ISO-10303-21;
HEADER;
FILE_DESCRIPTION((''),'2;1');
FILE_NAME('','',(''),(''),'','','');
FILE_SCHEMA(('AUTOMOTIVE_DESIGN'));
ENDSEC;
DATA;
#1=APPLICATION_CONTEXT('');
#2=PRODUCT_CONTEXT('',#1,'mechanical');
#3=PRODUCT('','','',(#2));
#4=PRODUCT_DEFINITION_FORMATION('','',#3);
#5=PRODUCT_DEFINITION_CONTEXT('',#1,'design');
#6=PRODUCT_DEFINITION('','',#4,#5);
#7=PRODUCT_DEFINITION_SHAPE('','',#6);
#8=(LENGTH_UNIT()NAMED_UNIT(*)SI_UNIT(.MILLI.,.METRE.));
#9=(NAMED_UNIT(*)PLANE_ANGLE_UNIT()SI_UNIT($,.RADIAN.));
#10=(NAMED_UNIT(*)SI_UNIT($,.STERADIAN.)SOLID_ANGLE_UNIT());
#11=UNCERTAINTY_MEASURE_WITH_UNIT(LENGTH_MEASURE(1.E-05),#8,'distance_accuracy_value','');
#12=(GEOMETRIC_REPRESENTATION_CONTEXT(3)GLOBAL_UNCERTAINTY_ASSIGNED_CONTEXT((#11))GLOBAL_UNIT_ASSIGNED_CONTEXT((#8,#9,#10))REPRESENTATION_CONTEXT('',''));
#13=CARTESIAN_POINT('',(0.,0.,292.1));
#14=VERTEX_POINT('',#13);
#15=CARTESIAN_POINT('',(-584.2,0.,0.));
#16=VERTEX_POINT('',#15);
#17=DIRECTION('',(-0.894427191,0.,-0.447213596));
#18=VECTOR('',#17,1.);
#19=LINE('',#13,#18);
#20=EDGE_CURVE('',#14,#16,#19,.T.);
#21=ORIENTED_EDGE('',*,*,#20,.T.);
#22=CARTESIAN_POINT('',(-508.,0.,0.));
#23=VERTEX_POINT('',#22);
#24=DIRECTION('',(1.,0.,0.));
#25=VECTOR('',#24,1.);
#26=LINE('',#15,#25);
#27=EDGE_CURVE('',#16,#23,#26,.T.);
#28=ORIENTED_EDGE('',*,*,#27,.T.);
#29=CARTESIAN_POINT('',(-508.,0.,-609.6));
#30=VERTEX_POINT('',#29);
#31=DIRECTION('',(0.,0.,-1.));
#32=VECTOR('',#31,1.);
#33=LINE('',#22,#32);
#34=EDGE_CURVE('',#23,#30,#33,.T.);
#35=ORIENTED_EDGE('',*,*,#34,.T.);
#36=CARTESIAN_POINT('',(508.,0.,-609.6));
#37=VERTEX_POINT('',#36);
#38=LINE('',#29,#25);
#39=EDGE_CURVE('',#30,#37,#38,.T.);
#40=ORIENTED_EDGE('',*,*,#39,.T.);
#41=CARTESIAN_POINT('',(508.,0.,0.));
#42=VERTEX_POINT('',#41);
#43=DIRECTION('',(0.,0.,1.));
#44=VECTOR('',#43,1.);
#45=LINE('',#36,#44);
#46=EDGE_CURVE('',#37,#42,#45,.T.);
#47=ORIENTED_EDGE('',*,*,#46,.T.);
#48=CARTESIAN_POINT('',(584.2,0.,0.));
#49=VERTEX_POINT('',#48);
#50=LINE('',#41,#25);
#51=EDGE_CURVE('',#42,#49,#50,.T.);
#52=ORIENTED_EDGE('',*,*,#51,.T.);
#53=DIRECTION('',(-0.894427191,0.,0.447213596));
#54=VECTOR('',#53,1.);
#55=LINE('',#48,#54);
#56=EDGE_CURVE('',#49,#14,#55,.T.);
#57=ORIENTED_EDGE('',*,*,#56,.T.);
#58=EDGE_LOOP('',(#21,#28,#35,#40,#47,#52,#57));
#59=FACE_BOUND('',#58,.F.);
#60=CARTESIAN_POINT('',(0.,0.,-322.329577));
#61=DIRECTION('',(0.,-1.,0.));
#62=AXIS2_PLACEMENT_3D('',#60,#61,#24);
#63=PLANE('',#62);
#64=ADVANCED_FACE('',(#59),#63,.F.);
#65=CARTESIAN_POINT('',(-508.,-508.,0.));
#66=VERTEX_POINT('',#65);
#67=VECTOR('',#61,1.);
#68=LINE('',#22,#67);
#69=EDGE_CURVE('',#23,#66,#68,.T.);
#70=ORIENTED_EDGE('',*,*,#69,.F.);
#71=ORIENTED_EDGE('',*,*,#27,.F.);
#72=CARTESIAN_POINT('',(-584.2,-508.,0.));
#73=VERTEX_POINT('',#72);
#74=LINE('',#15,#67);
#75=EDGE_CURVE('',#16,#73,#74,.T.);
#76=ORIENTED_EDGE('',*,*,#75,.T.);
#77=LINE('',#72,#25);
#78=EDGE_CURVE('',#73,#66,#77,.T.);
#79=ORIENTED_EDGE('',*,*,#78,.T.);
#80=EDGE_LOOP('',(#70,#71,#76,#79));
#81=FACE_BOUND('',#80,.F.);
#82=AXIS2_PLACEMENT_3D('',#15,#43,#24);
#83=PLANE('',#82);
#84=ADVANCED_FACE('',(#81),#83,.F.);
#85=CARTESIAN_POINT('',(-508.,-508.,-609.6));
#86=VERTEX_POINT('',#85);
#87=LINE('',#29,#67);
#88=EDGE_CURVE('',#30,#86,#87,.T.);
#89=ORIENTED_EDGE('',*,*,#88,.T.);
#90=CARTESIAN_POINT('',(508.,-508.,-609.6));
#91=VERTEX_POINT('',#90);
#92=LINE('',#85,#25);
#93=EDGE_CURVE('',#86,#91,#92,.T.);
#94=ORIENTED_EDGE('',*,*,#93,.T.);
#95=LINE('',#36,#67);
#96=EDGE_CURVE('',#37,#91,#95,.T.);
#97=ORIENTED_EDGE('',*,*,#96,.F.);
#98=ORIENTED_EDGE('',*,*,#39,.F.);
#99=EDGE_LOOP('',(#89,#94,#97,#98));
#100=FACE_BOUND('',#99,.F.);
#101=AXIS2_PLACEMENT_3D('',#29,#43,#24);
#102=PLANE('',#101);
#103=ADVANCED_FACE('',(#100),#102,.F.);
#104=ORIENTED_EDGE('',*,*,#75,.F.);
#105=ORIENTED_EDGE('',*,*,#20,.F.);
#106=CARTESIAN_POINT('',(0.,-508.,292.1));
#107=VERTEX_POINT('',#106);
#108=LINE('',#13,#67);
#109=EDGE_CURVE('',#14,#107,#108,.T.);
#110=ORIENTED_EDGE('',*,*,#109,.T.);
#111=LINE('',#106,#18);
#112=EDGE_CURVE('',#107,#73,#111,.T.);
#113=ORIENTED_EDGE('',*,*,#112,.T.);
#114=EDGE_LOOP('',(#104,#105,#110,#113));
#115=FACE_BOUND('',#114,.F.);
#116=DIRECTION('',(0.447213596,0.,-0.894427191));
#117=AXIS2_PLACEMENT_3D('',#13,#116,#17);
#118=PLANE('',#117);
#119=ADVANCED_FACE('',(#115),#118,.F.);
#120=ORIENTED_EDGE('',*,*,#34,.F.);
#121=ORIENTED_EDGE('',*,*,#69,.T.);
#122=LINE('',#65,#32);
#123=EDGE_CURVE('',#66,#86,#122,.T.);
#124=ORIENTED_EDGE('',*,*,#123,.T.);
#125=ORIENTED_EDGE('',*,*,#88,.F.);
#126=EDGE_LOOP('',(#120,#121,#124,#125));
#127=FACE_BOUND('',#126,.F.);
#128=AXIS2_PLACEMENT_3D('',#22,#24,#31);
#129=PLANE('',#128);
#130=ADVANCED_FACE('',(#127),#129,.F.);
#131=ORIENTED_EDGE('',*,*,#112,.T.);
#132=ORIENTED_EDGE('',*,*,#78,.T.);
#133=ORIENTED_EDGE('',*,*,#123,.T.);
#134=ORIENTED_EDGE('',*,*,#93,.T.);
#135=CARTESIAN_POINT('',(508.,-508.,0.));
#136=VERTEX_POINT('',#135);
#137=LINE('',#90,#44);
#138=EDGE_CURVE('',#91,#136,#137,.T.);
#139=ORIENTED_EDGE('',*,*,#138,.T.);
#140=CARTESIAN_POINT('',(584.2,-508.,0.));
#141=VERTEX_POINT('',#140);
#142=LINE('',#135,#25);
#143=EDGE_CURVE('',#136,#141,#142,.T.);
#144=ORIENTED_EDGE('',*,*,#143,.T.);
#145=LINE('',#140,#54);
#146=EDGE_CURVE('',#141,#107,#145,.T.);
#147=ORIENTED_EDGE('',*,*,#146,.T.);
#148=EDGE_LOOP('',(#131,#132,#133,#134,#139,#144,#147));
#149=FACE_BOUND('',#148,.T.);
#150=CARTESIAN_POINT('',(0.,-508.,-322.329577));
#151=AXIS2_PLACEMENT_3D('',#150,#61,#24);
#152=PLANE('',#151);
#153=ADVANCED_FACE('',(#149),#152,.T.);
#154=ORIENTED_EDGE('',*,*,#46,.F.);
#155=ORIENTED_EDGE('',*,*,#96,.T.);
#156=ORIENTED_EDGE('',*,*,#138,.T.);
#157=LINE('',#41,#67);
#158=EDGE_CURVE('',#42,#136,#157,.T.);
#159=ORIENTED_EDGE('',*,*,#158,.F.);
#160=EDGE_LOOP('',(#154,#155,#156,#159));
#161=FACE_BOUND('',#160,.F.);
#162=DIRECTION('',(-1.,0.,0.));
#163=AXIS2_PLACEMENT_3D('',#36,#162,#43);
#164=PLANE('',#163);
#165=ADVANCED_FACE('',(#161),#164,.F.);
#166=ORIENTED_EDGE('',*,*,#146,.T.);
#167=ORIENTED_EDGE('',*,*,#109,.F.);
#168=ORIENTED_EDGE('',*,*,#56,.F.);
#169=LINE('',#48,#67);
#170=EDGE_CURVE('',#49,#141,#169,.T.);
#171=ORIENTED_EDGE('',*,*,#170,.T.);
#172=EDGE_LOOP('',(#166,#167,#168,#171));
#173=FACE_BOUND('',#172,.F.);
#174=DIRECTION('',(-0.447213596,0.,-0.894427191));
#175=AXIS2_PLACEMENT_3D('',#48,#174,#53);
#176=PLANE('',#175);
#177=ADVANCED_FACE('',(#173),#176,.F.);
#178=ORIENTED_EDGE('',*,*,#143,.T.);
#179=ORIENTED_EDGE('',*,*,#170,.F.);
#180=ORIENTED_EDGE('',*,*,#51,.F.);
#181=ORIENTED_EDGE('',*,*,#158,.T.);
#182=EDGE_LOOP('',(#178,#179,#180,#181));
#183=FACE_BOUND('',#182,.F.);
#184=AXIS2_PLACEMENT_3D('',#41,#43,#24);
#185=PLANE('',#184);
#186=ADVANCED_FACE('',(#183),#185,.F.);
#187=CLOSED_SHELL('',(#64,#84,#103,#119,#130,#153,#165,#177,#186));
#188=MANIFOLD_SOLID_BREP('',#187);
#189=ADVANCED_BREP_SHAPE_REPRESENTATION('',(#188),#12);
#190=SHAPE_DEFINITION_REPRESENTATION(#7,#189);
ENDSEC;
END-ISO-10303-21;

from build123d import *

# Parameters (mm, degrees)
F0_W     = 228.6
F0_H     = 127
F0_W_2   = 304.8
F0_H_2   = 177.8
F0_W_3   = 254
F0_W_4   = 177.8
F0_H_3   = 76.2
F1_DEPTH = 508


with BuildPart() as f1:
    # F0 (on Front) → F1 (new body)
    with BuildSketch(Plane.XZ):
        Polygon((508, 0), (0, 0), (-508, 0), (-508, -211.7188125849), (-508, -234.4794422388), (-508, -609.6), (-38.1, -609.6), (-38.1, -431.8), (38.1, -431.8), (38.1, -609.6), (508, -609.6), align=None)
        with Locations((-342.9, -469.9)):
            Rectangle(F0_W, F0_H, mode=Mode.SUBTRACT)
        with Locations((342.9, -469.9)):
            Rectangle(F0_W, F0_H, mode=Mode.SUBTRACT)
        with Locations((-228.6, -165.1)):
            Rectangle(F0_W_2, F0_H_2, mode=Mode.SUBTRACT)
        with Locations((228.6, -165.1)):
            Rectangle(F0_W_2, F0_H_2, mode=Mode.SUBTRACT)
        Polygon((-508, 0), (0, 0), (508, 0), (0, 254), align=None)
        with Locations((-228.6, -165.1)):
            Rectangle(F0_W_2, F0_H_2)
        with Locations((-228.6, -165.1)):
            Rectangle(F0_W_3, F0_H, mode=Mode.SUBTRACT)
        with Locations((228.6, -165.1)):
            Rectangle(F0_W_2, F0_H_2)
        with Locations((228.6, -165.1)):
            Rectangle(F0_W_3, F0_H, mode=Mode.SUBTRACT)
        with Locations((-228.6, -165.1)):
            Rectangle(F0_W_3, F0_H)
        with Locations((228.6, -165.1)):
            Rectangle(F0_W_3, F0_H)
        with Locations((-342.9, -469.9)):
            Rectangle(F0_W, F0_H)
        with Locations((-342.9, -469.9)):
            Rectangle(F0_W_4, F0_H_3, mode=Mode.SUBTRACT)
        with Locations((342.9, -469.9)):
            Rectangle(F0_W, F0_H)
        with Locations((342.9, -469.9)):
            Rectangle(F0_W_4, F0_H_3, mode=Mode.SUBTRACT)
        Polygon((0, 254), (508, 0), (584.2, 0), (0, 292.1), align=None)
        Polygon((-584.2, 0), (-508, 0), (0, 254), (0, 292.1), align=None)
        with Locations((-342.9, -469.9)):
            Rectangle(F0_W_4, F0_H_3)
        with Locations((342.9, -469.9)):
            Rectangle(F0_W_4, F0_H_3)
        Polygon((0, -609.6), (38.1, -609.6), (38.1, -431.8), (-38.1, -431.8), (-38.1, -609.6), align=None)
    extrude(amount=F1_DEPTH)


solid = f1.part
